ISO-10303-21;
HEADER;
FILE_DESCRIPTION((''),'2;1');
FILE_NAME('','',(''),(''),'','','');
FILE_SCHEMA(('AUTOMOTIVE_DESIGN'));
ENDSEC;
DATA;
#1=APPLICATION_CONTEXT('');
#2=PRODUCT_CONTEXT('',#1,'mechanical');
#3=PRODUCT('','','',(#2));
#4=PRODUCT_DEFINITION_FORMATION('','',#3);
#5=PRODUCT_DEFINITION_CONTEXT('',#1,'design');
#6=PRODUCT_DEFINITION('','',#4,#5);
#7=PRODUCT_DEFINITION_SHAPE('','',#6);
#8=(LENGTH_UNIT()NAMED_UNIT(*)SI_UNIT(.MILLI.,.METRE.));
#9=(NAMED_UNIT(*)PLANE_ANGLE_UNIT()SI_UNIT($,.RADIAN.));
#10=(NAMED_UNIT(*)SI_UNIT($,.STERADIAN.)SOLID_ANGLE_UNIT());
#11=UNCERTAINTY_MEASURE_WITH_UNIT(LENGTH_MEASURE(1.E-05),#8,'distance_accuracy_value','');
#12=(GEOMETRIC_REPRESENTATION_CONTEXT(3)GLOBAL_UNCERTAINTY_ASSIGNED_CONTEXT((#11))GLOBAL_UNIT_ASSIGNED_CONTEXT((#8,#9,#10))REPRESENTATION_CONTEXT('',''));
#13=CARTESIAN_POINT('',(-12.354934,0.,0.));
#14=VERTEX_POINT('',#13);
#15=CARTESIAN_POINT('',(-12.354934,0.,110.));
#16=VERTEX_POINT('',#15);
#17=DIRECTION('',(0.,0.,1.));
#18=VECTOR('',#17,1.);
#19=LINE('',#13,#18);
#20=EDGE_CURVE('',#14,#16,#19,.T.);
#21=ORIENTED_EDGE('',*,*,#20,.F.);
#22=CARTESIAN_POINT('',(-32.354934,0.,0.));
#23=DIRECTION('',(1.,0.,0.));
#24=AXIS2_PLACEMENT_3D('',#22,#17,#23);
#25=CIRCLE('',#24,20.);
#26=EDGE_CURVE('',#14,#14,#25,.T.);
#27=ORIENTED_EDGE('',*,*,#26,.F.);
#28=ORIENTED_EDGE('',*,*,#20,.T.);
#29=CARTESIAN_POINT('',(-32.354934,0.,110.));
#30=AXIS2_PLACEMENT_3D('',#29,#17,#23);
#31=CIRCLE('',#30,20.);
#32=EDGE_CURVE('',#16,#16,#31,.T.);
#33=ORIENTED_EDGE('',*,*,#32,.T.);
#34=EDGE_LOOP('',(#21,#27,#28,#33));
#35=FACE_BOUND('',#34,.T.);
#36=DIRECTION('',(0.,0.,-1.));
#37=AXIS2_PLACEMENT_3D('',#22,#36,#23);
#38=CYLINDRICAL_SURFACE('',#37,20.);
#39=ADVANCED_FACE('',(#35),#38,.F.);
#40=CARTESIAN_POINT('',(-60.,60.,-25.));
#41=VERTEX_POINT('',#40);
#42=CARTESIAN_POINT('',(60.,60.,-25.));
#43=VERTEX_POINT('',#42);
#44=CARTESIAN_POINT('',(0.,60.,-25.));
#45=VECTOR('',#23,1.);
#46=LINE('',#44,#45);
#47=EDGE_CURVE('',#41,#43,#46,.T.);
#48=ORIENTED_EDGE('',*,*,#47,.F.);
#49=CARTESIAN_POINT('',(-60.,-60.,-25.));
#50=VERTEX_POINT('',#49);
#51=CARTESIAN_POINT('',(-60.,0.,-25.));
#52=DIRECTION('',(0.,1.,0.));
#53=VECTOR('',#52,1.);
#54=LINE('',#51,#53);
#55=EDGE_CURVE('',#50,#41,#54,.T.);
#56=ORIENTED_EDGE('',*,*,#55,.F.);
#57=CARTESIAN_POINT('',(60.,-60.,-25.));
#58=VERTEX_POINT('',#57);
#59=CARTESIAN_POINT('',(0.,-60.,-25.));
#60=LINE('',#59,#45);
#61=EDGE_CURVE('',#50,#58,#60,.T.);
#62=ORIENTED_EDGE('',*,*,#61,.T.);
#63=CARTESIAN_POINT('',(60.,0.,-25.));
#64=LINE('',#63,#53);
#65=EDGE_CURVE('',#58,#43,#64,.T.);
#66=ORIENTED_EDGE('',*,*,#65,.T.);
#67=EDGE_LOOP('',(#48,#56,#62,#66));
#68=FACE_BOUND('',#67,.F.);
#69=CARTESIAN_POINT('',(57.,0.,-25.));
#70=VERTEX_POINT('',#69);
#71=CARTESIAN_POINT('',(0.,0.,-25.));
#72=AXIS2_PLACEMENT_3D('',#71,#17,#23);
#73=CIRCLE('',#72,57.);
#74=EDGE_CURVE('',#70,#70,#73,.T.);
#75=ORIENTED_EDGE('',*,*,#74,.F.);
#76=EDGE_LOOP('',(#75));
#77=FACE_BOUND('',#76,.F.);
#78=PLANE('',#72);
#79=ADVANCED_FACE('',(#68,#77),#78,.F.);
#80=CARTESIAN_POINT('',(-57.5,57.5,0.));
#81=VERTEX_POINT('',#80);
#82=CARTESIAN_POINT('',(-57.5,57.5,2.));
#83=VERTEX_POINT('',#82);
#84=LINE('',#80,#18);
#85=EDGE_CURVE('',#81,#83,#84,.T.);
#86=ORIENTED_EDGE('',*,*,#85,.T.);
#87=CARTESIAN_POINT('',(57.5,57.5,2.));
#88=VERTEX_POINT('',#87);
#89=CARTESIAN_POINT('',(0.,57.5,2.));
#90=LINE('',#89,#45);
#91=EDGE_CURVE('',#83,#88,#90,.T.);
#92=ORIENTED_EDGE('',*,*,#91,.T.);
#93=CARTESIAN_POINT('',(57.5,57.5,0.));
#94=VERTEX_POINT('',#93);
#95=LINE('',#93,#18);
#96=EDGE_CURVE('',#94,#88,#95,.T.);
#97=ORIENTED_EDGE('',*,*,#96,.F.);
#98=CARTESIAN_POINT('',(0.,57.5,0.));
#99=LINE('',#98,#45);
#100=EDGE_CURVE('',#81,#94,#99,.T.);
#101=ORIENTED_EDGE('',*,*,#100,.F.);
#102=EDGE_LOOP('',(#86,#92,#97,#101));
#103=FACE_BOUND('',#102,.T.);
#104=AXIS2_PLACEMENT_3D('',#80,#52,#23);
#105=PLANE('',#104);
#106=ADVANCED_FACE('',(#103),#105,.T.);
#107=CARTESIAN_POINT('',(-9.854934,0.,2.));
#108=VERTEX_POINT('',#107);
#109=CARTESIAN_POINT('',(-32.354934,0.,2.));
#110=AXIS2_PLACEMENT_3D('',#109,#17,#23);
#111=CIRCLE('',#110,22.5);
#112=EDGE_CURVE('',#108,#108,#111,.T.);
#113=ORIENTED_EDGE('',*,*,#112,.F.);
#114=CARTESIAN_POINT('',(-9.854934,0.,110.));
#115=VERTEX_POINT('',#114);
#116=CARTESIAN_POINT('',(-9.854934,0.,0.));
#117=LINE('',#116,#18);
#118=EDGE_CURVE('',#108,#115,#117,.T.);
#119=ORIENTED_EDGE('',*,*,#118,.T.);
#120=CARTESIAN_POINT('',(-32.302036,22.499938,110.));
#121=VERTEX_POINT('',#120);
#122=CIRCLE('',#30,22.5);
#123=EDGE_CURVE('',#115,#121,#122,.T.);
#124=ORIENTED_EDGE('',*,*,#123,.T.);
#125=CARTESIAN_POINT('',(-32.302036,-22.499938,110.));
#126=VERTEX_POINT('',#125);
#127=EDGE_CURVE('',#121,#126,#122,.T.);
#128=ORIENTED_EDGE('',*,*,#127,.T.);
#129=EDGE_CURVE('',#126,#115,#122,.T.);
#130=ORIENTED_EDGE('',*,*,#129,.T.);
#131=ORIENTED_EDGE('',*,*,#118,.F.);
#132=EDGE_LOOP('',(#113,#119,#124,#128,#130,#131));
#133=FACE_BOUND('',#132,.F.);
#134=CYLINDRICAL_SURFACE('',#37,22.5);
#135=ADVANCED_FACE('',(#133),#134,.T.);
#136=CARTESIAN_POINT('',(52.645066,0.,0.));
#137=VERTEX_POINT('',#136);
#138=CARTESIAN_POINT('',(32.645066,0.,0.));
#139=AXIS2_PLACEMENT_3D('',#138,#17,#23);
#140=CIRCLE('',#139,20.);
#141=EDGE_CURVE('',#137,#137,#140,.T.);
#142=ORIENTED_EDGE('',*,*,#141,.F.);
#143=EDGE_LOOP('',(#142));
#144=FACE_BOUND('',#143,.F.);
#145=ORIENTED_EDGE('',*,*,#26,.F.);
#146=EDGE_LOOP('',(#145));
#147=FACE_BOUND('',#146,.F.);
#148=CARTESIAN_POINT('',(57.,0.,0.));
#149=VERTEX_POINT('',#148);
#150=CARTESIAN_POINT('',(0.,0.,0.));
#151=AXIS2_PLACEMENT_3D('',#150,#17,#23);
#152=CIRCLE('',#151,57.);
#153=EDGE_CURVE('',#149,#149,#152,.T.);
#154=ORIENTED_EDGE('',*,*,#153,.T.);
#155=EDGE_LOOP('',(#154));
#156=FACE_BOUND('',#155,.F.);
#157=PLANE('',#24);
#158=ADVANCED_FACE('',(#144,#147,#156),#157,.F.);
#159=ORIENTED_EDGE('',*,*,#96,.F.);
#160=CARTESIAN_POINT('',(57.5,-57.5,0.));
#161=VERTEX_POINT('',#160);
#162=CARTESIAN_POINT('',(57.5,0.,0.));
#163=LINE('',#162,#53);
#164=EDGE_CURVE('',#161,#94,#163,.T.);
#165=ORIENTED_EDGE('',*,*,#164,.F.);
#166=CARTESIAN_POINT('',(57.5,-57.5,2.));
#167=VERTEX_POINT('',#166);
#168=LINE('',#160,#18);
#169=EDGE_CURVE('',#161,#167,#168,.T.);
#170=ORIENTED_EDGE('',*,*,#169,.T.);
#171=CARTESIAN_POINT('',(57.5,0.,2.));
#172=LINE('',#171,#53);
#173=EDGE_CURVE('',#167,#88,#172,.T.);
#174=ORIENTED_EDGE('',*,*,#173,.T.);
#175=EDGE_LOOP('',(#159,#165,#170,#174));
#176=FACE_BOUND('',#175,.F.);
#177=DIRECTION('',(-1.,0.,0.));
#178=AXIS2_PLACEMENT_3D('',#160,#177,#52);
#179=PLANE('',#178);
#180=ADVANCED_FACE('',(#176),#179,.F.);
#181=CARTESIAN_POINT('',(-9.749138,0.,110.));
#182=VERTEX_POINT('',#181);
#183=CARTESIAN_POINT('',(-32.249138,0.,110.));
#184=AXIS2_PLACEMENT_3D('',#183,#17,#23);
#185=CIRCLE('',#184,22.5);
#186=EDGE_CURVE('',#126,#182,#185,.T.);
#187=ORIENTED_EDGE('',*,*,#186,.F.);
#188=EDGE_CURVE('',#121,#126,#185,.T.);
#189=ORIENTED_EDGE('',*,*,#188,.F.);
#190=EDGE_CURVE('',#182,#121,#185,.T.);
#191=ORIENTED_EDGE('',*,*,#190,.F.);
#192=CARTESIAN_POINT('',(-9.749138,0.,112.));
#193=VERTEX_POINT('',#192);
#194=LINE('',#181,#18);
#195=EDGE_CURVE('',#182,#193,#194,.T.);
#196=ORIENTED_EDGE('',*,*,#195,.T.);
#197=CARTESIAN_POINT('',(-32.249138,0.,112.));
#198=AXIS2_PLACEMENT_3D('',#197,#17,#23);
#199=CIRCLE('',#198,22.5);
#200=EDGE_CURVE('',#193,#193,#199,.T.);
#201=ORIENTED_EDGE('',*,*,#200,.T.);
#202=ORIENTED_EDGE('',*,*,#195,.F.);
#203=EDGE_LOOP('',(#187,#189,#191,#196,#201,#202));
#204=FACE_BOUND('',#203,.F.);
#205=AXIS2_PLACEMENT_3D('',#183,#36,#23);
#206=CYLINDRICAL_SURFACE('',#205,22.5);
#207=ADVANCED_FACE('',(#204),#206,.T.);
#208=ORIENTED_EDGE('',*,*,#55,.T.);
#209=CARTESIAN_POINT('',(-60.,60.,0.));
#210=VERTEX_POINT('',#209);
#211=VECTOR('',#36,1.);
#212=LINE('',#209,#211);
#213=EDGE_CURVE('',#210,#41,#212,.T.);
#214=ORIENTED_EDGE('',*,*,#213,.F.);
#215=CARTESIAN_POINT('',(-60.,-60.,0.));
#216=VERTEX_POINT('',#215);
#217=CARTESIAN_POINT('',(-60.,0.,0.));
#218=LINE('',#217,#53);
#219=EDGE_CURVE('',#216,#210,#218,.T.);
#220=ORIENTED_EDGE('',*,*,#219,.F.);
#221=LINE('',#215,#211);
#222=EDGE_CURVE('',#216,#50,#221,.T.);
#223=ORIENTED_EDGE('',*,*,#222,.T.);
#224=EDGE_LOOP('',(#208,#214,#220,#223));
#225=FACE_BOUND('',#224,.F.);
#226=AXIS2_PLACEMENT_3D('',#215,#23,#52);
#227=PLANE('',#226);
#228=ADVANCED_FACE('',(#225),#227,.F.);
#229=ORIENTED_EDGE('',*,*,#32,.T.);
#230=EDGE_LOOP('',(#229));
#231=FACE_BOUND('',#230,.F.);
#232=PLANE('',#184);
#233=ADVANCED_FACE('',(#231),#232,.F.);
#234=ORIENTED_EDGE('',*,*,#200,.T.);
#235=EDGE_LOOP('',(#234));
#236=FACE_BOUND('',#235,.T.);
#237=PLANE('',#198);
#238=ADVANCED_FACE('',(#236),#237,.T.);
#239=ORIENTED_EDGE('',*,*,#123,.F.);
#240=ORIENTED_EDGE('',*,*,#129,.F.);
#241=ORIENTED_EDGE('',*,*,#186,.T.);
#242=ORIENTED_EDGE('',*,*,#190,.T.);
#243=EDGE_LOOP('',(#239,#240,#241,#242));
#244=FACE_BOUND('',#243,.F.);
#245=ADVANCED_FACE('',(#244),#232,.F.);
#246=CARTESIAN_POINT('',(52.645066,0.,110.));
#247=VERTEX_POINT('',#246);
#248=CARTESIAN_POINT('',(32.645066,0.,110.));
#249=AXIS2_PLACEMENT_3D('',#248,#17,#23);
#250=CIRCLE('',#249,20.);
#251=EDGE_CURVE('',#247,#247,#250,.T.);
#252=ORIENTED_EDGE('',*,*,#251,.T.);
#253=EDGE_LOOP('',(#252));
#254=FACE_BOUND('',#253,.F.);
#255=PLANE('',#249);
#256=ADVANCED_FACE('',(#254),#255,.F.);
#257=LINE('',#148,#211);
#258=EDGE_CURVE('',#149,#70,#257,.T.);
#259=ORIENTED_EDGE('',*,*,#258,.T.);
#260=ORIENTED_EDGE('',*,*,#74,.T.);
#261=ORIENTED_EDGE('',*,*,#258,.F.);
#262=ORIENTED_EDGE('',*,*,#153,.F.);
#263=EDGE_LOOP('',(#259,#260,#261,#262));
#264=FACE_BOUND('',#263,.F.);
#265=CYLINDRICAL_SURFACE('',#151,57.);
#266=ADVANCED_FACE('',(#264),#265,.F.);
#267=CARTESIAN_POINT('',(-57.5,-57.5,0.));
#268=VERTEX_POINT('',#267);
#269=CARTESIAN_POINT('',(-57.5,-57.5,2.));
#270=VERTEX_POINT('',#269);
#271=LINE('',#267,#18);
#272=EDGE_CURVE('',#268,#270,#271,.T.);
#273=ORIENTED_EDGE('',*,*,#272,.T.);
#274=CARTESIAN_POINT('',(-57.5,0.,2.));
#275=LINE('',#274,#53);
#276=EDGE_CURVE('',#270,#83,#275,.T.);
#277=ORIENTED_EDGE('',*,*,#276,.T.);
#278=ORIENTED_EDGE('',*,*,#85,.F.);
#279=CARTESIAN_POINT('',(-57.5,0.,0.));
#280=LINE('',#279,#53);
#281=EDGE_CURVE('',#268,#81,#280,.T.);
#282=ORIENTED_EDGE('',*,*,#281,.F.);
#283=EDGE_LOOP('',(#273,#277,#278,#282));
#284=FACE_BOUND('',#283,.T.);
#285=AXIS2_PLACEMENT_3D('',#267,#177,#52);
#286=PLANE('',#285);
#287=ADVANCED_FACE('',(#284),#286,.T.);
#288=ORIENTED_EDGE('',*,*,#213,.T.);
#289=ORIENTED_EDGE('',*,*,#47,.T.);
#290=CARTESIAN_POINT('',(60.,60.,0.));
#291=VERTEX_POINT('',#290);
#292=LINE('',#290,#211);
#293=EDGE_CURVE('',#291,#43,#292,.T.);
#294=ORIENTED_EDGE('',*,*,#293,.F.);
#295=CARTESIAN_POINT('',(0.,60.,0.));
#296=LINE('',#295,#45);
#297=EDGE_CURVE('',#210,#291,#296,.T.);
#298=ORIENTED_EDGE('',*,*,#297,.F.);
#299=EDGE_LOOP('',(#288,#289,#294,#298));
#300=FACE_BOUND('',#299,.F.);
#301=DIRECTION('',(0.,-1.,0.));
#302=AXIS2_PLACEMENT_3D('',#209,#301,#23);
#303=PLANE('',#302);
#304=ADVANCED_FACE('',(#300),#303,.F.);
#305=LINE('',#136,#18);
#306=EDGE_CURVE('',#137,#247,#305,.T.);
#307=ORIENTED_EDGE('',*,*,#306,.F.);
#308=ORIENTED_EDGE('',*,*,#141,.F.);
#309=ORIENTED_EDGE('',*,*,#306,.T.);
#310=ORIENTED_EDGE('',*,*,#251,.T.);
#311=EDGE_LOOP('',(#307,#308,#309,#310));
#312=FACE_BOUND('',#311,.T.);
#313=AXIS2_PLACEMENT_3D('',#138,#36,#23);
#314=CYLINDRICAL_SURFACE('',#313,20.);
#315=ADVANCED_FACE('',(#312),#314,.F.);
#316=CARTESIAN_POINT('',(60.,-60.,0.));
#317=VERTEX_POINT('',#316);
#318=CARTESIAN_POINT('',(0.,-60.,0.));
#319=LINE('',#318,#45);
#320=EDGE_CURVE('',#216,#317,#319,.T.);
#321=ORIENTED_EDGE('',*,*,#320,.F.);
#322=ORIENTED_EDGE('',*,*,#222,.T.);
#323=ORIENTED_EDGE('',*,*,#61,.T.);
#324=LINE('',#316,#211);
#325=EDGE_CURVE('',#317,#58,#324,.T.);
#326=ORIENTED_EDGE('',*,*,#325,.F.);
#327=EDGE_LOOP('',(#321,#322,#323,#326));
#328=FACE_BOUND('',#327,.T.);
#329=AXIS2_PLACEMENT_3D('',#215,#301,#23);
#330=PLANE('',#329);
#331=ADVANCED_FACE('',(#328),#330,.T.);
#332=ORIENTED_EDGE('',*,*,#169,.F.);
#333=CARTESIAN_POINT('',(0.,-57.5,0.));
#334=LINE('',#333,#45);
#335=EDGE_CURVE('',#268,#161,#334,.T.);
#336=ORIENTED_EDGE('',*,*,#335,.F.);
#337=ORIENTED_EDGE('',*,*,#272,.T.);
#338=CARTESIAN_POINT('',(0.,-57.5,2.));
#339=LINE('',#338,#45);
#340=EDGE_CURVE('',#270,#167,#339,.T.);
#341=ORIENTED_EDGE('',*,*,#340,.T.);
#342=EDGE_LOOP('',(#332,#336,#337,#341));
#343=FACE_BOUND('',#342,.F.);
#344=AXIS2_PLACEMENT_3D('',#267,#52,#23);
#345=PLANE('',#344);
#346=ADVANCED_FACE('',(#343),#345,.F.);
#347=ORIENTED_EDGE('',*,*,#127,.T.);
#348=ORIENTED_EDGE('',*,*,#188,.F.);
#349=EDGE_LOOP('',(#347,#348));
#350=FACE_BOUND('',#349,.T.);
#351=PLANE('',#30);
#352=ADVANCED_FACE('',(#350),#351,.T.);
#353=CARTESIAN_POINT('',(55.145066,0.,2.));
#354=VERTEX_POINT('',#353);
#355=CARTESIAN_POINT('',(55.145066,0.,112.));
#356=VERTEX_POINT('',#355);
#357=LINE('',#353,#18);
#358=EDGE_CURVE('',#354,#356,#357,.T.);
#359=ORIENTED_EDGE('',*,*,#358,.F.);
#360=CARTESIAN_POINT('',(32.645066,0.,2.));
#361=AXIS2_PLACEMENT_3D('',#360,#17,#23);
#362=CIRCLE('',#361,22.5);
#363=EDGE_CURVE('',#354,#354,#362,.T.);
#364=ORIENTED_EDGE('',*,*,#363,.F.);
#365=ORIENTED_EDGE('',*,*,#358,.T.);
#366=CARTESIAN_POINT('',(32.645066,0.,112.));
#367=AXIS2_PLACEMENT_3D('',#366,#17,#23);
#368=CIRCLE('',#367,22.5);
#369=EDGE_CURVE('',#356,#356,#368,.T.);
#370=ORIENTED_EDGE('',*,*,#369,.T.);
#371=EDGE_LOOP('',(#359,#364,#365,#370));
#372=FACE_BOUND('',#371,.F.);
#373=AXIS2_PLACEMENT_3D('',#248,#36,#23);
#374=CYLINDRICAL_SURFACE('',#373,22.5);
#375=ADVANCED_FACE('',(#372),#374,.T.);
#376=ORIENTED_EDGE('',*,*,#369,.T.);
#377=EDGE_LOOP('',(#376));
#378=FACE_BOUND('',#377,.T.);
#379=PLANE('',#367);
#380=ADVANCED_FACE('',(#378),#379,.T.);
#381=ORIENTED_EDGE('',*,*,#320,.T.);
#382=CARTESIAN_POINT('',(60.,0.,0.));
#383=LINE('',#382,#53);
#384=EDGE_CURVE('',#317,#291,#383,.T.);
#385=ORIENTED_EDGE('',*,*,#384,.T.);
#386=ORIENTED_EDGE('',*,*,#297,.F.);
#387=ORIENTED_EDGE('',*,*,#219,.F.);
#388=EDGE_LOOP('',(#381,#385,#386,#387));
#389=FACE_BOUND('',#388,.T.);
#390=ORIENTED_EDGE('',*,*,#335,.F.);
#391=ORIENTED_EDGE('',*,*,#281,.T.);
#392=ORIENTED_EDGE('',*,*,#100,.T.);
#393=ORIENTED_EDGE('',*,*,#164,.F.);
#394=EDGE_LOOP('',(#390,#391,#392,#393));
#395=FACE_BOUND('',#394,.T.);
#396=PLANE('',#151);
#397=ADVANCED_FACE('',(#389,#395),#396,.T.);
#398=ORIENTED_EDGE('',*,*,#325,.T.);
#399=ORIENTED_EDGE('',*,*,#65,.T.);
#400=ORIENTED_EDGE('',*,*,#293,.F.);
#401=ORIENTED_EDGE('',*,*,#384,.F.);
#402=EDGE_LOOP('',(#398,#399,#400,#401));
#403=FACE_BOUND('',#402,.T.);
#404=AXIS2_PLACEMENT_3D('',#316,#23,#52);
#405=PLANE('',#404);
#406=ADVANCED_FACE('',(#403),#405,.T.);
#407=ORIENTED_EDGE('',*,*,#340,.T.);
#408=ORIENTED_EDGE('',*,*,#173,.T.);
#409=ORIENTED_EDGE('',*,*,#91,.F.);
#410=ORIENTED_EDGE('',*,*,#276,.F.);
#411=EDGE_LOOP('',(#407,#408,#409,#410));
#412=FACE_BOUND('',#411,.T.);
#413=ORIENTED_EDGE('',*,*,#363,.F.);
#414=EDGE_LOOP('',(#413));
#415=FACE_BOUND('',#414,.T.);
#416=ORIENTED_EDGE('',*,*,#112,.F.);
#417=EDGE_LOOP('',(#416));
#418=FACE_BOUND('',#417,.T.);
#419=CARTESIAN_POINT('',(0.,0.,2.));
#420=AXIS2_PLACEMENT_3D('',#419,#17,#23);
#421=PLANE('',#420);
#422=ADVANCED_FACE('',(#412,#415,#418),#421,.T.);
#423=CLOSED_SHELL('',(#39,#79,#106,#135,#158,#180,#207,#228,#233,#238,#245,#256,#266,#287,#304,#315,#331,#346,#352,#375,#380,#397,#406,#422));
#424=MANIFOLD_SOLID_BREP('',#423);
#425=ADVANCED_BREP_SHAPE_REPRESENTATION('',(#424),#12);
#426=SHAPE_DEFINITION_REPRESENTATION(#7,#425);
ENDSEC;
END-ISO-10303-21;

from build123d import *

# Parameters (mm, degrees)
F0_W     = 120
F0_H     = 120
F0_R     = 57
F1_DEPTH = 25
F2_W     = 115
F2_H     = 115
F2_R     = 22.5
F3_DEPTH = 2
F2_R_2   = 20
F4_DEPTH = 110
F5_R     = 22.5
F5_R_2   = 20
F6_DEPTH = 2


with BuildPart() as f1:
    # F0 (on Top) → F1 (new body)
    with BuildSketch(Plane.XY):
        Rectangle(F0_W, F0_H)
        Circle(F0_R, mode=Mode.SUBTRACT)
    extrude(amount=-F1_DEPTH)

    # F2 (on Top) → F3 (join)
    with BuildSketch(Plane.XY):
        Rectangle(F2_W, F2_H)
        with Locations((-32.354934313, 0)):
            Circle(F2_R, mode=Mode.SUBTRACT)
        with Locations((32.645065687, 0)):
            Circle(F2_R, mode=Mode.SUBTRACT)
    extrude(amount=F3_DEPTH)

    # F2 (on Top) → F4 (join)
    with BuildSketch(Plane.XY):
        with Locations((-32.354934313, 0)):
            Circle(F2_R)
        with Locations((-32.354934313, 0)):
            Circle(F2_R_2, mode=Mode.SUBTRACT)
        with Locations((32.645065687, 0)):
            Circle(F2_R)
        with Locations((32.645065687, 0)):
            Circle(F2_R_2, mode=Mode.SUBTRACT)
    extrude(amount=F4_DEPTH)

    # F5 (on face) → F6 (join)
    with BuildSketch(Plane.XY.offset(110)):
        with Locations((32.645065687, 0)):
            Circle(F5_R)
        with Locations((32.645065687, 0)):
            Circle(F5_R_2, mode=Mode.SUBTRACT)
        with Locations((-32.2491377592, 0)):
            Circle(F5_R)
        with Locations((32.645065687, 0)):
            Circle(F5_R_2)
    extrude(amount=F6_DEPTH)


solid = f1.part
